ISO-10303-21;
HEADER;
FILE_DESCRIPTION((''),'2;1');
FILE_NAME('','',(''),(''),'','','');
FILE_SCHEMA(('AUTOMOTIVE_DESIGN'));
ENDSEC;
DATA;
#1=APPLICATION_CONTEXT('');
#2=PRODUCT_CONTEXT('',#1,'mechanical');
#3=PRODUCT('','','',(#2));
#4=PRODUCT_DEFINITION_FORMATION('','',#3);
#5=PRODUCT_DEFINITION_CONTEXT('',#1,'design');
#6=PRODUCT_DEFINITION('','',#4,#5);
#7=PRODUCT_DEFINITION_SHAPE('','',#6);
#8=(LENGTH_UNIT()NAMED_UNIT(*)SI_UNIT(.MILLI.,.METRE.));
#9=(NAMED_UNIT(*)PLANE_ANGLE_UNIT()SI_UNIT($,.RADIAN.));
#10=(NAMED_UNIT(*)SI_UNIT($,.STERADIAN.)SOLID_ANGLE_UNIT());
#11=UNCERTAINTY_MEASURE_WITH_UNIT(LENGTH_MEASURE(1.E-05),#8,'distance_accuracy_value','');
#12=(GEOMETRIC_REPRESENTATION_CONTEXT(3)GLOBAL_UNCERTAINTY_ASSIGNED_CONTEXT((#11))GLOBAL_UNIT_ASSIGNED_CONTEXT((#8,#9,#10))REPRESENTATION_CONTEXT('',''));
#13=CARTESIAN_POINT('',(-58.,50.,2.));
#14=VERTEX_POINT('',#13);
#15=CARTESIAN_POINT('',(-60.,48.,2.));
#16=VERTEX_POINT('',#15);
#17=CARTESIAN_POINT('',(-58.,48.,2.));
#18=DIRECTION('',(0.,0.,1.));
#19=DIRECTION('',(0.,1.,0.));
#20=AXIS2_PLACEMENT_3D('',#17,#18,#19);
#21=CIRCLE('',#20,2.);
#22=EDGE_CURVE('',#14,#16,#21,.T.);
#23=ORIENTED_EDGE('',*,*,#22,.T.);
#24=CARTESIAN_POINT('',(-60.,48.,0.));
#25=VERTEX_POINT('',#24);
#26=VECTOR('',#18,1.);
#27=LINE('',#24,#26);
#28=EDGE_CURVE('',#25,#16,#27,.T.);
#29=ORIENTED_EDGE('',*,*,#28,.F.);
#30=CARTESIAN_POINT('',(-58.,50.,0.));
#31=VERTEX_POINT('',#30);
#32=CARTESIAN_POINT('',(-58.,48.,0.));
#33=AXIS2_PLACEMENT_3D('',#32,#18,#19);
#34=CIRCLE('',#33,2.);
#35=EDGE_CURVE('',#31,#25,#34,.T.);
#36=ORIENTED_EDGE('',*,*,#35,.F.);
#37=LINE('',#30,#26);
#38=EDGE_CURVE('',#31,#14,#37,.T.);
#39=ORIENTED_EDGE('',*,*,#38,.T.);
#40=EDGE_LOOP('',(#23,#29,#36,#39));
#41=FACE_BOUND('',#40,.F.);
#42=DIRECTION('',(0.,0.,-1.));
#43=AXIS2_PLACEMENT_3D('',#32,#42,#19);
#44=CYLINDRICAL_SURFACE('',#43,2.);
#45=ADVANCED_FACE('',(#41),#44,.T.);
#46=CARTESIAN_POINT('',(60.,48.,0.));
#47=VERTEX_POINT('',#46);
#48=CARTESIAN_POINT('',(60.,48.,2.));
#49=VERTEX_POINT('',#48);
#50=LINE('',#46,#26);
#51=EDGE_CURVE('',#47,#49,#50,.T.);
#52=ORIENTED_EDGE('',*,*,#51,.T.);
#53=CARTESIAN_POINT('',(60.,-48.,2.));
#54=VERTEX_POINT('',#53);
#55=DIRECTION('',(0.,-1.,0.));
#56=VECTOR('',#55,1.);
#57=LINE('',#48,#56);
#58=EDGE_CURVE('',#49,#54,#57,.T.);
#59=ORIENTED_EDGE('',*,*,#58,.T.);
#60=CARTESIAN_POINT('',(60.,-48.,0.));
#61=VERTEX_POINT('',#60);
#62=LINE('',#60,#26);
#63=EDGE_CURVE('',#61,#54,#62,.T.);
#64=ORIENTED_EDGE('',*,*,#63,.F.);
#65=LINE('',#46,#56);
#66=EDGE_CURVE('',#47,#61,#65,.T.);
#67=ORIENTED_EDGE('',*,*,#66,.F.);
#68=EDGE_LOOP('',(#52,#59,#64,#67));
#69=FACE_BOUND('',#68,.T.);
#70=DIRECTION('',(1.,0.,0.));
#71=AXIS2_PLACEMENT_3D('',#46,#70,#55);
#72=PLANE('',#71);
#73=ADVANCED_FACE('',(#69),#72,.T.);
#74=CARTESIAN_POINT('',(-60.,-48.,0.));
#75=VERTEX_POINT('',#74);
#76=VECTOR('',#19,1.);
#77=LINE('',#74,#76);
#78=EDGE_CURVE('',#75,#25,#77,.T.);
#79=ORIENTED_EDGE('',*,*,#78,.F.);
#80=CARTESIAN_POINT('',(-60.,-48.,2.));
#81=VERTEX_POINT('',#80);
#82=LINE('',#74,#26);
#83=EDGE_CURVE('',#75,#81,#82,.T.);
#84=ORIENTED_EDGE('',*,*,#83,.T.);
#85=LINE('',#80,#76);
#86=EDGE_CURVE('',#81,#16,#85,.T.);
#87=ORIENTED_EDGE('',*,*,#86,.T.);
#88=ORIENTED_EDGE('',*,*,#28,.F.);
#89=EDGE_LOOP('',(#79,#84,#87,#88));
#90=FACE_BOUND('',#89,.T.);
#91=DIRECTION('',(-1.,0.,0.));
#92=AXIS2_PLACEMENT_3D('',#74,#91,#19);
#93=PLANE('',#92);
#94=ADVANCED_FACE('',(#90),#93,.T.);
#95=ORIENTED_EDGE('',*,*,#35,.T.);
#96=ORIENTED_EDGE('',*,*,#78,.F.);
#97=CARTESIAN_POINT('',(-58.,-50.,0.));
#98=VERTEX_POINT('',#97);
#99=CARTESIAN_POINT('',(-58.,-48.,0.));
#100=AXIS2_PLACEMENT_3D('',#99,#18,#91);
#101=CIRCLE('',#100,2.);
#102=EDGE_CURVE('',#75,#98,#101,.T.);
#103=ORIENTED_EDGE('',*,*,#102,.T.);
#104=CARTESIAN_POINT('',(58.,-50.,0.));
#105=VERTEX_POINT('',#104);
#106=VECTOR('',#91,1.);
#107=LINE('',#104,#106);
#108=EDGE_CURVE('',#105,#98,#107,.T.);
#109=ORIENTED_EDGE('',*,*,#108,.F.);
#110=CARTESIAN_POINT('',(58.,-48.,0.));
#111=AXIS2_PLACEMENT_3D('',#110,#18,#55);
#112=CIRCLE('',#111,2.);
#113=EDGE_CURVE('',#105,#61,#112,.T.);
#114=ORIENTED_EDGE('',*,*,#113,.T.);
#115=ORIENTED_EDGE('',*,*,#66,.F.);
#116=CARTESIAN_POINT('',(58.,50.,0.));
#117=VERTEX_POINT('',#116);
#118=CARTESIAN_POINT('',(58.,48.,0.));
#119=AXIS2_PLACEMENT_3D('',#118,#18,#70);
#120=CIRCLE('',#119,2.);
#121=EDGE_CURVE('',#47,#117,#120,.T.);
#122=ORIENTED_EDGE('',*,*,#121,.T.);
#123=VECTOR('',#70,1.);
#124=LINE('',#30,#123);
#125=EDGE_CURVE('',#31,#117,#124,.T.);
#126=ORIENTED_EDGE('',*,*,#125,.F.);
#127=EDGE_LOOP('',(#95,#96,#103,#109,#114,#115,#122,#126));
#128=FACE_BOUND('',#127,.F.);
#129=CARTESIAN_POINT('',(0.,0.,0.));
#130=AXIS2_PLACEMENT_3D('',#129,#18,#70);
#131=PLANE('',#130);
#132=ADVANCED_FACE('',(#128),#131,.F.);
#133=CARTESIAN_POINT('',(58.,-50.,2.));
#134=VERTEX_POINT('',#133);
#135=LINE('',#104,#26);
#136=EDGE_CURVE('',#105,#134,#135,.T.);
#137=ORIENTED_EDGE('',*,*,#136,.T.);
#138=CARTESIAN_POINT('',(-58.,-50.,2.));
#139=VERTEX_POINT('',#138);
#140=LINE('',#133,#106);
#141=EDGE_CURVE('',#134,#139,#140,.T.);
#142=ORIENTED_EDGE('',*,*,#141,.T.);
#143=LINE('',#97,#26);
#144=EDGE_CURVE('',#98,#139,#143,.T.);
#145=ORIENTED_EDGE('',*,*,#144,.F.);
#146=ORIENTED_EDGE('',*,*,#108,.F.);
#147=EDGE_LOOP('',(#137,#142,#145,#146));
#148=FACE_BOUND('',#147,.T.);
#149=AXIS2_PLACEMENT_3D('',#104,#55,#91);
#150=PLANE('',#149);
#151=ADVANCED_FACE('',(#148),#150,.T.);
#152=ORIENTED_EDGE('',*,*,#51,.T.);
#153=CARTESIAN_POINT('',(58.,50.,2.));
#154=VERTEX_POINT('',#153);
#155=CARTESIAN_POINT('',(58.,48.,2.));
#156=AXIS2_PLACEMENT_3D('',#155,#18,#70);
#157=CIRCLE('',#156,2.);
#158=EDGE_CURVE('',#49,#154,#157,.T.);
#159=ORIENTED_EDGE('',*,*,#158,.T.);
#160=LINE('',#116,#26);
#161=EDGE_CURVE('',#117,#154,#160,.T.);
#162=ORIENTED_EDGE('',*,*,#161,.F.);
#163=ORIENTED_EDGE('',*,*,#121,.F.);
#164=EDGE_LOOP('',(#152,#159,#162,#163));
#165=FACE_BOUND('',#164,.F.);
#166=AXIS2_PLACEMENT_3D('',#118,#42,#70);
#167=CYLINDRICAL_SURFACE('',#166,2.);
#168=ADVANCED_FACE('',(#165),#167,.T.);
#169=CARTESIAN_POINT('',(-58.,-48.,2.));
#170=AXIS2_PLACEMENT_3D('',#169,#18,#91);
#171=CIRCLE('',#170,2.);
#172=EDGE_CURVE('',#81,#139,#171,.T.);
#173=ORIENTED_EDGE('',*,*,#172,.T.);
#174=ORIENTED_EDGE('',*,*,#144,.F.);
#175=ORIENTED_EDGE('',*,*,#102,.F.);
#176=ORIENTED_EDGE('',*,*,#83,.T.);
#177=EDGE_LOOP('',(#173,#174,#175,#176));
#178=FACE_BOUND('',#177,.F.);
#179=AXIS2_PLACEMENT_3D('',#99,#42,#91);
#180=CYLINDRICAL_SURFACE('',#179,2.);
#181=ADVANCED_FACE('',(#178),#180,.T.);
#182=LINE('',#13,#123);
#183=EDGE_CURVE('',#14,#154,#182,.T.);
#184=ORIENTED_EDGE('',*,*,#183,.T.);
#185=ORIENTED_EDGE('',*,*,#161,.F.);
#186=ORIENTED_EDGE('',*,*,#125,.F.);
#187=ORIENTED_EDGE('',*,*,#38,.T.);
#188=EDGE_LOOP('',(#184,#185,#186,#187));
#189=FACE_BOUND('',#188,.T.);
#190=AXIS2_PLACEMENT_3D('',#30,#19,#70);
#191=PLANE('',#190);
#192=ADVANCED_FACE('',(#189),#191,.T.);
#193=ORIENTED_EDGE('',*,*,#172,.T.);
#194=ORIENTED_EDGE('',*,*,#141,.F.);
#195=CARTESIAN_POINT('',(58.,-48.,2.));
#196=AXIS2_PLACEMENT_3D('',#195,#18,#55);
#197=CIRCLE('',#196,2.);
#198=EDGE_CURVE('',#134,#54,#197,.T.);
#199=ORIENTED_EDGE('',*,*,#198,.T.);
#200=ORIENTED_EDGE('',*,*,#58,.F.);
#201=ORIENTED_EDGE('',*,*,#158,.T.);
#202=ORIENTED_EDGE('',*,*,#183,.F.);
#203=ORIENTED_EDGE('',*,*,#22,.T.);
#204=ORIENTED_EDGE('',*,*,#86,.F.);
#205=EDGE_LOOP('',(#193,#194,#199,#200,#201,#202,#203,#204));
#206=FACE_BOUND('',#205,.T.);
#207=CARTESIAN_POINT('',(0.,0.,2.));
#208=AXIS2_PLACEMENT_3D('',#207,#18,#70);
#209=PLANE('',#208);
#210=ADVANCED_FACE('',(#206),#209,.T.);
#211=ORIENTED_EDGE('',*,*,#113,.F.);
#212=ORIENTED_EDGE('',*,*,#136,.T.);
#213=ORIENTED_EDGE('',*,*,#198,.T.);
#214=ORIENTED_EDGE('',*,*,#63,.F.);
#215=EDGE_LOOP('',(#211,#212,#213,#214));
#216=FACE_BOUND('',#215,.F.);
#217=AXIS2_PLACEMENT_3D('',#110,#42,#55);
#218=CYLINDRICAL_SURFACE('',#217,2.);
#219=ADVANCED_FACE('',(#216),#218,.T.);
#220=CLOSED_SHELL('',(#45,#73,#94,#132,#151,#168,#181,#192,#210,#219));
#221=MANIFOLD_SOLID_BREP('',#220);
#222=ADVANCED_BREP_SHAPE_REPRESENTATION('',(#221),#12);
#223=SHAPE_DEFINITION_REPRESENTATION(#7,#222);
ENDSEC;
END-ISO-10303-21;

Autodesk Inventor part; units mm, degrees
ref_plane "YZ Plane" through (0, 0, 0) normal (1, 0, 0) x (0, 1, 0)
ref_plane "XZ Plane" through (0, 0, 0) normal (0, 1, 0) x (-1, 0, 0)
ref_plane "XY Plane" through (0, 0, 0) normal (0, 0, 1) x (1, 0, 0)
sketch "Skizze1" plane through (0, 0, 0) normal (0, 0, 1) x (1, 0, 0)
  line L0 (0, -70.5799) -> (0, 70.5799) construction
  line L1 (-84.5799, 0) -> (84.5799, 0) construction
  line L2 (-58, 50) -> (58, 50)
  line L3 (60, 48) -> (60, -48)
  line L4 (58, -50) -> (-58, -50)
  line L5 (-60, -48) -> (-60, 48)
  arc A0 (-60, -48) -> (-58, -50) centre (-58, -48) ccw
  arc A1 (58, -50) -> (60, -48) centre (58, -48) ccw
  arc A2 (60, 48) -> (58, 50) centre (58, 48) ccw
  arc A3 (-58, 50) -> (-60, 48) centre (-58, 48) ccw
  point P0 (0, 0)
  point P1 (-60, 50)
  point P2 (60, -50)
  point P3 (60, 50)
  point P4 (-60, -50)
  dimension "d14" = 120
  dimension "d15" = 100
  dimension "d16" = 2
extrude "Extrusion1" add sketch "Skizze1" along normal blind 2
properties part number "ControllerPCB"
